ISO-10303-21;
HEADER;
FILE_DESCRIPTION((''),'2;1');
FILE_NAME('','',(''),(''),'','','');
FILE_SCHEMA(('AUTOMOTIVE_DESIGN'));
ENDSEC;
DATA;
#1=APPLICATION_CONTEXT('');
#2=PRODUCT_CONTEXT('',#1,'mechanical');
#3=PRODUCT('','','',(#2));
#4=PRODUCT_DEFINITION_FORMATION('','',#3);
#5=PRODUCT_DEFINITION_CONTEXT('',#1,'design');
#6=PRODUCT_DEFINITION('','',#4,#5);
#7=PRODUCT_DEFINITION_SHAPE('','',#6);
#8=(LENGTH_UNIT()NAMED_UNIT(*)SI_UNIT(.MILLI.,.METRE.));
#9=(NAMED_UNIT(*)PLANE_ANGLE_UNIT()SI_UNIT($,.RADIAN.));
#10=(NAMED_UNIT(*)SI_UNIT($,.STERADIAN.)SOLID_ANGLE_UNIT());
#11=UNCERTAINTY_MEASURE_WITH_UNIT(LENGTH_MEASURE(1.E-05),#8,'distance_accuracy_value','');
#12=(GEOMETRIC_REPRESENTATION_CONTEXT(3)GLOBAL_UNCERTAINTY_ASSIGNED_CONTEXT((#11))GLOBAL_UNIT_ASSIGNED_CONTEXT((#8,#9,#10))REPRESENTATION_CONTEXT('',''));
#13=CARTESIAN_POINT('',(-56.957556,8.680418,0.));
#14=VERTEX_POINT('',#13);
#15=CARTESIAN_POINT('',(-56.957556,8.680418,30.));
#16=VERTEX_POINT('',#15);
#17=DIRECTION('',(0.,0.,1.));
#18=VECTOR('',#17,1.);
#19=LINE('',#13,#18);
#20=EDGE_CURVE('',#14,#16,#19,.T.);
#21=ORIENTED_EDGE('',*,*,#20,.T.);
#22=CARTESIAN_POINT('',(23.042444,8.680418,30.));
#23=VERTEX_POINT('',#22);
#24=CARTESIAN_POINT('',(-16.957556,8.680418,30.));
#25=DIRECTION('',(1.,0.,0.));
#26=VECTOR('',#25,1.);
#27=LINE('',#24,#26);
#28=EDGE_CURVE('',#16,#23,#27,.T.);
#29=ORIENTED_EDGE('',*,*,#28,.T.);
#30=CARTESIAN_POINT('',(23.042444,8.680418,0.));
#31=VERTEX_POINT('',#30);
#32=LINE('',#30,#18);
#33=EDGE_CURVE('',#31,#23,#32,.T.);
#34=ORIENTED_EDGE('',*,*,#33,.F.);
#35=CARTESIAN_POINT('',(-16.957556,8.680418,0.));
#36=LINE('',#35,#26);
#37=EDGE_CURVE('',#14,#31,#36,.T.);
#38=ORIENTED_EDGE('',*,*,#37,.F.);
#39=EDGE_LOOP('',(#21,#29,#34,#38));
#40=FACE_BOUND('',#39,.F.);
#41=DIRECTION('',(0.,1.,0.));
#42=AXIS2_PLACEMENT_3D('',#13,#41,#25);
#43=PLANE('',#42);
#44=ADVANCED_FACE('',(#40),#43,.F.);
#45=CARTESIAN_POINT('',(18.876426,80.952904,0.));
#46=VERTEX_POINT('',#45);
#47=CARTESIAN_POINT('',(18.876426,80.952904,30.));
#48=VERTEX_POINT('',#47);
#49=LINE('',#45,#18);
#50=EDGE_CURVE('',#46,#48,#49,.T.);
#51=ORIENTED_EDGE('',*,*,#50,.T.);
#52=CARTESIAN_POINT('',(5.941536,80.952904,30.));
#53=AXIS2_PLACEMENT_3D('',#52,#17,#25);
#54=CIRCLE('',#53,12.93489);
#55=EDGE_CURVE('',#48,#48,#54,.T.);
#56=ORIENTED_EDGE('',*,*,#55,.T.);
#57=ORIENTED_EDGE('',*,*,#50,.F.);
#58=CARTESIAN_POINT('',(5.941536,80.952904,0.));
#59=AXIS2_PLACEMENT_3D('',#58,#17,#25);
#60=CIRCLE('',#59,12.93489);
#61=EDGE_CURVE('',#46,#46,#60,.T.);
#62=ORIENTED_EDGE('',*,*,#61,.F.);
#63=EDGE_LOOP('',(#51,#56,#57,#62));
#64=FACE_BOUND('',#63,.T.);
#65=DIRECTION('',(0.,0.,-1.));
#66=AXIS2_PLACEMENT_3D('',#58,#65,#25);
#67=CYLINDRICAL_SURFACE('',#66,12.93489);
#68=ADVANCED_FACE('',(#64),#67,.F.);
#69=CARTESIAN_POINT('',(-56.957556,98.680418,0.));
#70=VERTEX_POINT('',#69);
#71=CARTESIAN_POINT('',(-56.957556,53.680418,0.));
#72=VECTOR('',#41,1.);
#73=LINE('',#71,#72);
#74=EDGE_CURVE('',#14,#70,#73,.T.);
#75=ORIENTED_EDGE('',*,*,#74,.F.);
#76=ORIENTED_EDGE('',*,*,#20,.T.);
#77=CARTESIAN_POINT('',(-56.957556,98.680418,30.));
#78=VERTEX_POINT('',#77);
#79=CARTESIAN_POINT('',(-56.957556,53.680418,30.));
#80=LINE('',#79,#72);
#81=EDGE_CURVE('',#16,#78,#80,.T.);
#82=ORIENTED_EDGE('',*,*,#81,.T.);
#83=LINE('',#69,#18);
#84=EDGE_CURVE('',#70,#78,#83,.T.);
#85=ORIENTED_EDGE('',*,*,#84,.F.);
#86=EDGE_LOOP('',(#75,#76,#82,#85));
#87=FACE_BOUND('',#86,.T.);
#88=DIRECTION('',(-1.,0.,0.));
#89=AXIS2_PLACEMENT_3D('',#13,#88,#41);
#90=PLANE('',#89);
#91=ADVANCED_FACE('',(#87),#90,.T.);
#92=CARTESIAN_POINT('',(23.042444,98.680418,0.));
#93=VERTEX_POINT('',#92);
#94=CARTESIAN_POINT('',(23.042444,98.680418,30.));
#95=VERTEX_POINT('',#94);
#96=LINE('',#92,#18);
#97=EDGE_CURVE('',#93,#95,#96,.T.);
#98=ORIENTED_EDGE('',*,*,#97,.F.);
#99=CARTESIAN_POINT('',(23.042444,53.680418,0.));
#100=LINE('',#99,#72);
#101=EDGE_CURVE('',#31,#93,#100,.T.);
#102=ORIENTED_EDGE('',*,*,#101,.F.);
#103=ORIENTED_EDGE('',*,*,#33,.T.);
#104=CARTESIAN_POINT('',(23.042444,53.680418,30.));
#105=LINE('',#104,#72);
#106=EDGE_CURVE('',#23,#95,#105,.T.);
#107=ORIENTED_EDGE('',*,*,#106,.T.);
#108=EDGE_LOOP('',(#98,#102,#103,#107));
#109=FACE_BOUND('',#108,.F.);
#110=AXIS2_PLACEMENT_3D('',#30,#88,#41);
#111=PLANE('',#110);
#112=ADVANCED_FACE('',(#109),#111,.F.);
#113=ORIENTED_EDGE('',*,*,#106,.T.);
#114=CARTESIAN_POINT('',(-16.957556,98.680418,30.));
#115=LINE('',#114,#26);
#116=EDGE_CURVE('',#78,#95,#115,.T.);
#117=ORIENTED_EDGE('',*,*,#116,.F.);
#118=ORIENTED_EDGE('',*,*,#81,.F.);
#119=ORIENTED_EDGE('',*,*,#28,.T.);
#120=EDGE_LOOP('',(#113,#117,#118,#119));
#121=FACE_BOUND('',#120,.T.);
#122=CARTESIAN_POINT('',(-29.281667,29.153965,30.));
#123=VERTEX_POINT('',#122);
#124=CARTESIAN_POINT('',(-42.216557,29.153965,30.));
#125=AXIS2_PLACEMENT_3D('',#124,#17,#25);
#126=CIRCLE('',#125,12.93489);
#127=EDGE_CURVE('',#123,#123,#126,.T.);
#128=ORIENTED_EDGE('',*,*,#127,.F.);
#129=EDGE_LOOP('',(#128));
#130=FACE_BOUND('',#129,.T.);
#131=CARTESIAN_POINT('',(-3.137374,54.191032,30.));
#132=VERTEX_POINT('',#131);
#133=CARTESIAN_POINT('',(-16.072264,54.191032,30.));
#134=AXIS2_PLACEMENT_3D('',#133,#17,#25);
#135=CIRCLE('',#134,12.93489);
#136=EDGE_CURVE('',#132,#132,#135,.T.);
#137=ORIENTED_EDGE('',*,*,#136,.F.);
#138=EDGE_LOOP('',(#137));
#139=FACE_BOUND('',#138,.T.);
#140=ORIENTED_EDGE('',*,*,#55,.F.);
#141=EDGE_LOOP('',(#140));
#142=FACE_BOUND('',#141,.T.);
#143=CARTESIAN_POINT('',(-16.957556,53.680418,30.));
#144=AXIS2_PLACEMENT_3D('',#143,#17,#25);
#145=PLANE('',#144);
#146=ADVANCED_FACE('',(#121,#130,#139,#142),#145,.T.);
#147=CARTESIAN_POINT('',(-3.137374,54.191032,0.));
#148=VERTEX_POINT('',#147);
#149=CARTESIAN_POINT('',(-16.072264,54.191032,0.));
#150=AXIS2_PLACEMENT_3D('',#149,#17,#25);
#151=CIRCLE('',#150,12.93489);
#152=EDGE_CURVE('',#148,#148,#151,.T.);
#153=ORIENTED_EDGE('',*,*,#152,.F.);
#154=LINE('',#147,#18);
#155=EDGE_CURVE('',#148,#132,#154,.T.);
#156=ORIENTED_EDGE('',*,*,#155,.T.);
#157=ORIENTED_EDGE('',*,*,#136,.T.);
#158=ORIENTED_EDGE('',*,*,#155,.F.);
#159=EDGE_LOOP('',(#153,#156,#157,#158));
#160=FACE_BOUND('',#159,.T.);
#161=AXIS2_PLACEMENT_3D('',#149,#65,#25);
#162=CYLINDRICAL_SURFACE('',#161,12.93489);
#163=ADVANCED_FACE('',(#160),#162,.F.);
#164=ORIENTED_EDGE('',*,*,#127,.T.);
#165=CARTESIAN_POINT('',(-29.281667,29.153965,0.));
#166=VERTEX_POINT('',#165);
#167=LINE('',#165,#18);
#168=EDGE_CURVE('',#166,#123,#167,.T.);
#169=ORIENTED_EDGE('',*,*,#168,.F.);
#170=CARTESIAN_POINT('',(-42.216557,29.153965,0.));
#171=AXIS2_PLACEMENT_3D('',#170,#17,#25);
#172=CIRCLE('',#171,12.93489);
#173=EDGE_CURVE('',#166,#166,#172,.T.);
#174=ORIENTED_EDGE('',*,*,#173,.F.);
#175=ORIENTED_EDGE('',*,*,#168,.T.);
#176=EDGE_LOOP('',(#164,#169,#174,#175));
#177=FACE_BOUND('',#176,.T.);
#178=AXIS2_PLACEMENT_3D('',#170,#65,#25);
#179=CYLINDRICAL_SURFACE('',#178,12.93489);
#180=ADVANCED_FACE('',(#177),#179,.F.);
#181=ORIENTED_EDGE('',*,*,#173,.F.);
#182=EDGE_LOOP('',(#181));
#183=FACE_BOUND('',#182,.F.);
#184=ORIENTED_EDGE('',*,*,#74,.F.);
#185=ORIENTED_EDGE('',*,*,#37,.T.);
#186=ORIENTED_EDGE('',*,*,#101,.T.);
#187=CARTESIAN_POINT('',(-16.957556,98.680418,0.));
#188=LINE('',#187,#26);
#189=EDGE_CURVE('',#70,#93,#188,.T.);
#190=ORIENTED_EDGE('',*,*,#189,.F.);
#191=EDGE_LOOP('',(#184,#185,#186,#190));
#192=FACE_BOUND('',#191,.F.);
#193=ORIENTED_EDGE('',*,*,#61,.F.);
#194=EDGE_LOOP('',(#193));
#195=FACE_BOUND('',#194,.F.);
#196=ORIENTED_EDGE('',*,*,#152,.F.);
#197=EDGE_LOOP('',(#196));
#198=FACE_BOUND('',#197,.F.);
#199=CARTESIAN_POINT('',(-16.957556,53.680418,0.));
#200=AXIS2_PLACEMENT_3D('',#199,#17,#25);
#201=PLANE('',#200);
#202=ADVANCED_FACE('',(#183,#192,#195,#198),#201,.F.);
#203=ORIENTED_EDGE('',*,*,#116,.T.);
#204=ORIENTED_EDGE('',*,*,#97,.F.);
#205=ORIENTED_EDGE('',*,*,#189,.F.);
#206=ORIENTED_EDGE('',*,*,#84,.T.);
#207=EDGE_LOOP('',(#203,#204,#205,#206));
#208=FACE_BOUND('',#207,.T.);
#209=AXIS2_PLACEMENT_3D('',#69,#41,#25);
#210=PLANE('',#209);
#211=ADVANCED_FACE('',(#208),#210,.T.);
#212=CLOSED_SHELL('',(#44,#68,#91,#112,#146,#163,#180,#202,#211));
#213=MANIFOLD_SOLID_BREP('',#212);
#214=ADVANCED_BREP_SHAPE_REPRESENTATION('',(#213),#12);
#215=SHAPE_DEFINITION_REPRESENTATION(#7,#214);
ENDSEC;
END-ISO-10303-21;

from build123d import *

# Parameters (mm, degrees)
SKETCH_W  = 80
SKETCH_H  = 90
SKETCH_R  = 12.93489
PAD_DEPTH = 30


with BuildPart() as part:
    # Sketch → Pad (new body)
    with BuildSketch(Plane.XY):
        with Locations((-16.957556, 53.680418)):
            Rectangle(SKETCH_W, SKETCH_H)
        with Locations((-42.216557, 29.153965)):
            Circle(SKETCH_R, mode=Mode.SUBTRACT)
        with Locations((-16.072264, 54.191032)):
            Circle(SKETCH_R, mode=Mode.SUBTRACT)
        with Locations((5.941536, 80.952904)):
            Circle(SKETCH_R, mode=Mode.SUBTRACT)
    extrude(amount=PAD_DEPTH)


solid = part.part
